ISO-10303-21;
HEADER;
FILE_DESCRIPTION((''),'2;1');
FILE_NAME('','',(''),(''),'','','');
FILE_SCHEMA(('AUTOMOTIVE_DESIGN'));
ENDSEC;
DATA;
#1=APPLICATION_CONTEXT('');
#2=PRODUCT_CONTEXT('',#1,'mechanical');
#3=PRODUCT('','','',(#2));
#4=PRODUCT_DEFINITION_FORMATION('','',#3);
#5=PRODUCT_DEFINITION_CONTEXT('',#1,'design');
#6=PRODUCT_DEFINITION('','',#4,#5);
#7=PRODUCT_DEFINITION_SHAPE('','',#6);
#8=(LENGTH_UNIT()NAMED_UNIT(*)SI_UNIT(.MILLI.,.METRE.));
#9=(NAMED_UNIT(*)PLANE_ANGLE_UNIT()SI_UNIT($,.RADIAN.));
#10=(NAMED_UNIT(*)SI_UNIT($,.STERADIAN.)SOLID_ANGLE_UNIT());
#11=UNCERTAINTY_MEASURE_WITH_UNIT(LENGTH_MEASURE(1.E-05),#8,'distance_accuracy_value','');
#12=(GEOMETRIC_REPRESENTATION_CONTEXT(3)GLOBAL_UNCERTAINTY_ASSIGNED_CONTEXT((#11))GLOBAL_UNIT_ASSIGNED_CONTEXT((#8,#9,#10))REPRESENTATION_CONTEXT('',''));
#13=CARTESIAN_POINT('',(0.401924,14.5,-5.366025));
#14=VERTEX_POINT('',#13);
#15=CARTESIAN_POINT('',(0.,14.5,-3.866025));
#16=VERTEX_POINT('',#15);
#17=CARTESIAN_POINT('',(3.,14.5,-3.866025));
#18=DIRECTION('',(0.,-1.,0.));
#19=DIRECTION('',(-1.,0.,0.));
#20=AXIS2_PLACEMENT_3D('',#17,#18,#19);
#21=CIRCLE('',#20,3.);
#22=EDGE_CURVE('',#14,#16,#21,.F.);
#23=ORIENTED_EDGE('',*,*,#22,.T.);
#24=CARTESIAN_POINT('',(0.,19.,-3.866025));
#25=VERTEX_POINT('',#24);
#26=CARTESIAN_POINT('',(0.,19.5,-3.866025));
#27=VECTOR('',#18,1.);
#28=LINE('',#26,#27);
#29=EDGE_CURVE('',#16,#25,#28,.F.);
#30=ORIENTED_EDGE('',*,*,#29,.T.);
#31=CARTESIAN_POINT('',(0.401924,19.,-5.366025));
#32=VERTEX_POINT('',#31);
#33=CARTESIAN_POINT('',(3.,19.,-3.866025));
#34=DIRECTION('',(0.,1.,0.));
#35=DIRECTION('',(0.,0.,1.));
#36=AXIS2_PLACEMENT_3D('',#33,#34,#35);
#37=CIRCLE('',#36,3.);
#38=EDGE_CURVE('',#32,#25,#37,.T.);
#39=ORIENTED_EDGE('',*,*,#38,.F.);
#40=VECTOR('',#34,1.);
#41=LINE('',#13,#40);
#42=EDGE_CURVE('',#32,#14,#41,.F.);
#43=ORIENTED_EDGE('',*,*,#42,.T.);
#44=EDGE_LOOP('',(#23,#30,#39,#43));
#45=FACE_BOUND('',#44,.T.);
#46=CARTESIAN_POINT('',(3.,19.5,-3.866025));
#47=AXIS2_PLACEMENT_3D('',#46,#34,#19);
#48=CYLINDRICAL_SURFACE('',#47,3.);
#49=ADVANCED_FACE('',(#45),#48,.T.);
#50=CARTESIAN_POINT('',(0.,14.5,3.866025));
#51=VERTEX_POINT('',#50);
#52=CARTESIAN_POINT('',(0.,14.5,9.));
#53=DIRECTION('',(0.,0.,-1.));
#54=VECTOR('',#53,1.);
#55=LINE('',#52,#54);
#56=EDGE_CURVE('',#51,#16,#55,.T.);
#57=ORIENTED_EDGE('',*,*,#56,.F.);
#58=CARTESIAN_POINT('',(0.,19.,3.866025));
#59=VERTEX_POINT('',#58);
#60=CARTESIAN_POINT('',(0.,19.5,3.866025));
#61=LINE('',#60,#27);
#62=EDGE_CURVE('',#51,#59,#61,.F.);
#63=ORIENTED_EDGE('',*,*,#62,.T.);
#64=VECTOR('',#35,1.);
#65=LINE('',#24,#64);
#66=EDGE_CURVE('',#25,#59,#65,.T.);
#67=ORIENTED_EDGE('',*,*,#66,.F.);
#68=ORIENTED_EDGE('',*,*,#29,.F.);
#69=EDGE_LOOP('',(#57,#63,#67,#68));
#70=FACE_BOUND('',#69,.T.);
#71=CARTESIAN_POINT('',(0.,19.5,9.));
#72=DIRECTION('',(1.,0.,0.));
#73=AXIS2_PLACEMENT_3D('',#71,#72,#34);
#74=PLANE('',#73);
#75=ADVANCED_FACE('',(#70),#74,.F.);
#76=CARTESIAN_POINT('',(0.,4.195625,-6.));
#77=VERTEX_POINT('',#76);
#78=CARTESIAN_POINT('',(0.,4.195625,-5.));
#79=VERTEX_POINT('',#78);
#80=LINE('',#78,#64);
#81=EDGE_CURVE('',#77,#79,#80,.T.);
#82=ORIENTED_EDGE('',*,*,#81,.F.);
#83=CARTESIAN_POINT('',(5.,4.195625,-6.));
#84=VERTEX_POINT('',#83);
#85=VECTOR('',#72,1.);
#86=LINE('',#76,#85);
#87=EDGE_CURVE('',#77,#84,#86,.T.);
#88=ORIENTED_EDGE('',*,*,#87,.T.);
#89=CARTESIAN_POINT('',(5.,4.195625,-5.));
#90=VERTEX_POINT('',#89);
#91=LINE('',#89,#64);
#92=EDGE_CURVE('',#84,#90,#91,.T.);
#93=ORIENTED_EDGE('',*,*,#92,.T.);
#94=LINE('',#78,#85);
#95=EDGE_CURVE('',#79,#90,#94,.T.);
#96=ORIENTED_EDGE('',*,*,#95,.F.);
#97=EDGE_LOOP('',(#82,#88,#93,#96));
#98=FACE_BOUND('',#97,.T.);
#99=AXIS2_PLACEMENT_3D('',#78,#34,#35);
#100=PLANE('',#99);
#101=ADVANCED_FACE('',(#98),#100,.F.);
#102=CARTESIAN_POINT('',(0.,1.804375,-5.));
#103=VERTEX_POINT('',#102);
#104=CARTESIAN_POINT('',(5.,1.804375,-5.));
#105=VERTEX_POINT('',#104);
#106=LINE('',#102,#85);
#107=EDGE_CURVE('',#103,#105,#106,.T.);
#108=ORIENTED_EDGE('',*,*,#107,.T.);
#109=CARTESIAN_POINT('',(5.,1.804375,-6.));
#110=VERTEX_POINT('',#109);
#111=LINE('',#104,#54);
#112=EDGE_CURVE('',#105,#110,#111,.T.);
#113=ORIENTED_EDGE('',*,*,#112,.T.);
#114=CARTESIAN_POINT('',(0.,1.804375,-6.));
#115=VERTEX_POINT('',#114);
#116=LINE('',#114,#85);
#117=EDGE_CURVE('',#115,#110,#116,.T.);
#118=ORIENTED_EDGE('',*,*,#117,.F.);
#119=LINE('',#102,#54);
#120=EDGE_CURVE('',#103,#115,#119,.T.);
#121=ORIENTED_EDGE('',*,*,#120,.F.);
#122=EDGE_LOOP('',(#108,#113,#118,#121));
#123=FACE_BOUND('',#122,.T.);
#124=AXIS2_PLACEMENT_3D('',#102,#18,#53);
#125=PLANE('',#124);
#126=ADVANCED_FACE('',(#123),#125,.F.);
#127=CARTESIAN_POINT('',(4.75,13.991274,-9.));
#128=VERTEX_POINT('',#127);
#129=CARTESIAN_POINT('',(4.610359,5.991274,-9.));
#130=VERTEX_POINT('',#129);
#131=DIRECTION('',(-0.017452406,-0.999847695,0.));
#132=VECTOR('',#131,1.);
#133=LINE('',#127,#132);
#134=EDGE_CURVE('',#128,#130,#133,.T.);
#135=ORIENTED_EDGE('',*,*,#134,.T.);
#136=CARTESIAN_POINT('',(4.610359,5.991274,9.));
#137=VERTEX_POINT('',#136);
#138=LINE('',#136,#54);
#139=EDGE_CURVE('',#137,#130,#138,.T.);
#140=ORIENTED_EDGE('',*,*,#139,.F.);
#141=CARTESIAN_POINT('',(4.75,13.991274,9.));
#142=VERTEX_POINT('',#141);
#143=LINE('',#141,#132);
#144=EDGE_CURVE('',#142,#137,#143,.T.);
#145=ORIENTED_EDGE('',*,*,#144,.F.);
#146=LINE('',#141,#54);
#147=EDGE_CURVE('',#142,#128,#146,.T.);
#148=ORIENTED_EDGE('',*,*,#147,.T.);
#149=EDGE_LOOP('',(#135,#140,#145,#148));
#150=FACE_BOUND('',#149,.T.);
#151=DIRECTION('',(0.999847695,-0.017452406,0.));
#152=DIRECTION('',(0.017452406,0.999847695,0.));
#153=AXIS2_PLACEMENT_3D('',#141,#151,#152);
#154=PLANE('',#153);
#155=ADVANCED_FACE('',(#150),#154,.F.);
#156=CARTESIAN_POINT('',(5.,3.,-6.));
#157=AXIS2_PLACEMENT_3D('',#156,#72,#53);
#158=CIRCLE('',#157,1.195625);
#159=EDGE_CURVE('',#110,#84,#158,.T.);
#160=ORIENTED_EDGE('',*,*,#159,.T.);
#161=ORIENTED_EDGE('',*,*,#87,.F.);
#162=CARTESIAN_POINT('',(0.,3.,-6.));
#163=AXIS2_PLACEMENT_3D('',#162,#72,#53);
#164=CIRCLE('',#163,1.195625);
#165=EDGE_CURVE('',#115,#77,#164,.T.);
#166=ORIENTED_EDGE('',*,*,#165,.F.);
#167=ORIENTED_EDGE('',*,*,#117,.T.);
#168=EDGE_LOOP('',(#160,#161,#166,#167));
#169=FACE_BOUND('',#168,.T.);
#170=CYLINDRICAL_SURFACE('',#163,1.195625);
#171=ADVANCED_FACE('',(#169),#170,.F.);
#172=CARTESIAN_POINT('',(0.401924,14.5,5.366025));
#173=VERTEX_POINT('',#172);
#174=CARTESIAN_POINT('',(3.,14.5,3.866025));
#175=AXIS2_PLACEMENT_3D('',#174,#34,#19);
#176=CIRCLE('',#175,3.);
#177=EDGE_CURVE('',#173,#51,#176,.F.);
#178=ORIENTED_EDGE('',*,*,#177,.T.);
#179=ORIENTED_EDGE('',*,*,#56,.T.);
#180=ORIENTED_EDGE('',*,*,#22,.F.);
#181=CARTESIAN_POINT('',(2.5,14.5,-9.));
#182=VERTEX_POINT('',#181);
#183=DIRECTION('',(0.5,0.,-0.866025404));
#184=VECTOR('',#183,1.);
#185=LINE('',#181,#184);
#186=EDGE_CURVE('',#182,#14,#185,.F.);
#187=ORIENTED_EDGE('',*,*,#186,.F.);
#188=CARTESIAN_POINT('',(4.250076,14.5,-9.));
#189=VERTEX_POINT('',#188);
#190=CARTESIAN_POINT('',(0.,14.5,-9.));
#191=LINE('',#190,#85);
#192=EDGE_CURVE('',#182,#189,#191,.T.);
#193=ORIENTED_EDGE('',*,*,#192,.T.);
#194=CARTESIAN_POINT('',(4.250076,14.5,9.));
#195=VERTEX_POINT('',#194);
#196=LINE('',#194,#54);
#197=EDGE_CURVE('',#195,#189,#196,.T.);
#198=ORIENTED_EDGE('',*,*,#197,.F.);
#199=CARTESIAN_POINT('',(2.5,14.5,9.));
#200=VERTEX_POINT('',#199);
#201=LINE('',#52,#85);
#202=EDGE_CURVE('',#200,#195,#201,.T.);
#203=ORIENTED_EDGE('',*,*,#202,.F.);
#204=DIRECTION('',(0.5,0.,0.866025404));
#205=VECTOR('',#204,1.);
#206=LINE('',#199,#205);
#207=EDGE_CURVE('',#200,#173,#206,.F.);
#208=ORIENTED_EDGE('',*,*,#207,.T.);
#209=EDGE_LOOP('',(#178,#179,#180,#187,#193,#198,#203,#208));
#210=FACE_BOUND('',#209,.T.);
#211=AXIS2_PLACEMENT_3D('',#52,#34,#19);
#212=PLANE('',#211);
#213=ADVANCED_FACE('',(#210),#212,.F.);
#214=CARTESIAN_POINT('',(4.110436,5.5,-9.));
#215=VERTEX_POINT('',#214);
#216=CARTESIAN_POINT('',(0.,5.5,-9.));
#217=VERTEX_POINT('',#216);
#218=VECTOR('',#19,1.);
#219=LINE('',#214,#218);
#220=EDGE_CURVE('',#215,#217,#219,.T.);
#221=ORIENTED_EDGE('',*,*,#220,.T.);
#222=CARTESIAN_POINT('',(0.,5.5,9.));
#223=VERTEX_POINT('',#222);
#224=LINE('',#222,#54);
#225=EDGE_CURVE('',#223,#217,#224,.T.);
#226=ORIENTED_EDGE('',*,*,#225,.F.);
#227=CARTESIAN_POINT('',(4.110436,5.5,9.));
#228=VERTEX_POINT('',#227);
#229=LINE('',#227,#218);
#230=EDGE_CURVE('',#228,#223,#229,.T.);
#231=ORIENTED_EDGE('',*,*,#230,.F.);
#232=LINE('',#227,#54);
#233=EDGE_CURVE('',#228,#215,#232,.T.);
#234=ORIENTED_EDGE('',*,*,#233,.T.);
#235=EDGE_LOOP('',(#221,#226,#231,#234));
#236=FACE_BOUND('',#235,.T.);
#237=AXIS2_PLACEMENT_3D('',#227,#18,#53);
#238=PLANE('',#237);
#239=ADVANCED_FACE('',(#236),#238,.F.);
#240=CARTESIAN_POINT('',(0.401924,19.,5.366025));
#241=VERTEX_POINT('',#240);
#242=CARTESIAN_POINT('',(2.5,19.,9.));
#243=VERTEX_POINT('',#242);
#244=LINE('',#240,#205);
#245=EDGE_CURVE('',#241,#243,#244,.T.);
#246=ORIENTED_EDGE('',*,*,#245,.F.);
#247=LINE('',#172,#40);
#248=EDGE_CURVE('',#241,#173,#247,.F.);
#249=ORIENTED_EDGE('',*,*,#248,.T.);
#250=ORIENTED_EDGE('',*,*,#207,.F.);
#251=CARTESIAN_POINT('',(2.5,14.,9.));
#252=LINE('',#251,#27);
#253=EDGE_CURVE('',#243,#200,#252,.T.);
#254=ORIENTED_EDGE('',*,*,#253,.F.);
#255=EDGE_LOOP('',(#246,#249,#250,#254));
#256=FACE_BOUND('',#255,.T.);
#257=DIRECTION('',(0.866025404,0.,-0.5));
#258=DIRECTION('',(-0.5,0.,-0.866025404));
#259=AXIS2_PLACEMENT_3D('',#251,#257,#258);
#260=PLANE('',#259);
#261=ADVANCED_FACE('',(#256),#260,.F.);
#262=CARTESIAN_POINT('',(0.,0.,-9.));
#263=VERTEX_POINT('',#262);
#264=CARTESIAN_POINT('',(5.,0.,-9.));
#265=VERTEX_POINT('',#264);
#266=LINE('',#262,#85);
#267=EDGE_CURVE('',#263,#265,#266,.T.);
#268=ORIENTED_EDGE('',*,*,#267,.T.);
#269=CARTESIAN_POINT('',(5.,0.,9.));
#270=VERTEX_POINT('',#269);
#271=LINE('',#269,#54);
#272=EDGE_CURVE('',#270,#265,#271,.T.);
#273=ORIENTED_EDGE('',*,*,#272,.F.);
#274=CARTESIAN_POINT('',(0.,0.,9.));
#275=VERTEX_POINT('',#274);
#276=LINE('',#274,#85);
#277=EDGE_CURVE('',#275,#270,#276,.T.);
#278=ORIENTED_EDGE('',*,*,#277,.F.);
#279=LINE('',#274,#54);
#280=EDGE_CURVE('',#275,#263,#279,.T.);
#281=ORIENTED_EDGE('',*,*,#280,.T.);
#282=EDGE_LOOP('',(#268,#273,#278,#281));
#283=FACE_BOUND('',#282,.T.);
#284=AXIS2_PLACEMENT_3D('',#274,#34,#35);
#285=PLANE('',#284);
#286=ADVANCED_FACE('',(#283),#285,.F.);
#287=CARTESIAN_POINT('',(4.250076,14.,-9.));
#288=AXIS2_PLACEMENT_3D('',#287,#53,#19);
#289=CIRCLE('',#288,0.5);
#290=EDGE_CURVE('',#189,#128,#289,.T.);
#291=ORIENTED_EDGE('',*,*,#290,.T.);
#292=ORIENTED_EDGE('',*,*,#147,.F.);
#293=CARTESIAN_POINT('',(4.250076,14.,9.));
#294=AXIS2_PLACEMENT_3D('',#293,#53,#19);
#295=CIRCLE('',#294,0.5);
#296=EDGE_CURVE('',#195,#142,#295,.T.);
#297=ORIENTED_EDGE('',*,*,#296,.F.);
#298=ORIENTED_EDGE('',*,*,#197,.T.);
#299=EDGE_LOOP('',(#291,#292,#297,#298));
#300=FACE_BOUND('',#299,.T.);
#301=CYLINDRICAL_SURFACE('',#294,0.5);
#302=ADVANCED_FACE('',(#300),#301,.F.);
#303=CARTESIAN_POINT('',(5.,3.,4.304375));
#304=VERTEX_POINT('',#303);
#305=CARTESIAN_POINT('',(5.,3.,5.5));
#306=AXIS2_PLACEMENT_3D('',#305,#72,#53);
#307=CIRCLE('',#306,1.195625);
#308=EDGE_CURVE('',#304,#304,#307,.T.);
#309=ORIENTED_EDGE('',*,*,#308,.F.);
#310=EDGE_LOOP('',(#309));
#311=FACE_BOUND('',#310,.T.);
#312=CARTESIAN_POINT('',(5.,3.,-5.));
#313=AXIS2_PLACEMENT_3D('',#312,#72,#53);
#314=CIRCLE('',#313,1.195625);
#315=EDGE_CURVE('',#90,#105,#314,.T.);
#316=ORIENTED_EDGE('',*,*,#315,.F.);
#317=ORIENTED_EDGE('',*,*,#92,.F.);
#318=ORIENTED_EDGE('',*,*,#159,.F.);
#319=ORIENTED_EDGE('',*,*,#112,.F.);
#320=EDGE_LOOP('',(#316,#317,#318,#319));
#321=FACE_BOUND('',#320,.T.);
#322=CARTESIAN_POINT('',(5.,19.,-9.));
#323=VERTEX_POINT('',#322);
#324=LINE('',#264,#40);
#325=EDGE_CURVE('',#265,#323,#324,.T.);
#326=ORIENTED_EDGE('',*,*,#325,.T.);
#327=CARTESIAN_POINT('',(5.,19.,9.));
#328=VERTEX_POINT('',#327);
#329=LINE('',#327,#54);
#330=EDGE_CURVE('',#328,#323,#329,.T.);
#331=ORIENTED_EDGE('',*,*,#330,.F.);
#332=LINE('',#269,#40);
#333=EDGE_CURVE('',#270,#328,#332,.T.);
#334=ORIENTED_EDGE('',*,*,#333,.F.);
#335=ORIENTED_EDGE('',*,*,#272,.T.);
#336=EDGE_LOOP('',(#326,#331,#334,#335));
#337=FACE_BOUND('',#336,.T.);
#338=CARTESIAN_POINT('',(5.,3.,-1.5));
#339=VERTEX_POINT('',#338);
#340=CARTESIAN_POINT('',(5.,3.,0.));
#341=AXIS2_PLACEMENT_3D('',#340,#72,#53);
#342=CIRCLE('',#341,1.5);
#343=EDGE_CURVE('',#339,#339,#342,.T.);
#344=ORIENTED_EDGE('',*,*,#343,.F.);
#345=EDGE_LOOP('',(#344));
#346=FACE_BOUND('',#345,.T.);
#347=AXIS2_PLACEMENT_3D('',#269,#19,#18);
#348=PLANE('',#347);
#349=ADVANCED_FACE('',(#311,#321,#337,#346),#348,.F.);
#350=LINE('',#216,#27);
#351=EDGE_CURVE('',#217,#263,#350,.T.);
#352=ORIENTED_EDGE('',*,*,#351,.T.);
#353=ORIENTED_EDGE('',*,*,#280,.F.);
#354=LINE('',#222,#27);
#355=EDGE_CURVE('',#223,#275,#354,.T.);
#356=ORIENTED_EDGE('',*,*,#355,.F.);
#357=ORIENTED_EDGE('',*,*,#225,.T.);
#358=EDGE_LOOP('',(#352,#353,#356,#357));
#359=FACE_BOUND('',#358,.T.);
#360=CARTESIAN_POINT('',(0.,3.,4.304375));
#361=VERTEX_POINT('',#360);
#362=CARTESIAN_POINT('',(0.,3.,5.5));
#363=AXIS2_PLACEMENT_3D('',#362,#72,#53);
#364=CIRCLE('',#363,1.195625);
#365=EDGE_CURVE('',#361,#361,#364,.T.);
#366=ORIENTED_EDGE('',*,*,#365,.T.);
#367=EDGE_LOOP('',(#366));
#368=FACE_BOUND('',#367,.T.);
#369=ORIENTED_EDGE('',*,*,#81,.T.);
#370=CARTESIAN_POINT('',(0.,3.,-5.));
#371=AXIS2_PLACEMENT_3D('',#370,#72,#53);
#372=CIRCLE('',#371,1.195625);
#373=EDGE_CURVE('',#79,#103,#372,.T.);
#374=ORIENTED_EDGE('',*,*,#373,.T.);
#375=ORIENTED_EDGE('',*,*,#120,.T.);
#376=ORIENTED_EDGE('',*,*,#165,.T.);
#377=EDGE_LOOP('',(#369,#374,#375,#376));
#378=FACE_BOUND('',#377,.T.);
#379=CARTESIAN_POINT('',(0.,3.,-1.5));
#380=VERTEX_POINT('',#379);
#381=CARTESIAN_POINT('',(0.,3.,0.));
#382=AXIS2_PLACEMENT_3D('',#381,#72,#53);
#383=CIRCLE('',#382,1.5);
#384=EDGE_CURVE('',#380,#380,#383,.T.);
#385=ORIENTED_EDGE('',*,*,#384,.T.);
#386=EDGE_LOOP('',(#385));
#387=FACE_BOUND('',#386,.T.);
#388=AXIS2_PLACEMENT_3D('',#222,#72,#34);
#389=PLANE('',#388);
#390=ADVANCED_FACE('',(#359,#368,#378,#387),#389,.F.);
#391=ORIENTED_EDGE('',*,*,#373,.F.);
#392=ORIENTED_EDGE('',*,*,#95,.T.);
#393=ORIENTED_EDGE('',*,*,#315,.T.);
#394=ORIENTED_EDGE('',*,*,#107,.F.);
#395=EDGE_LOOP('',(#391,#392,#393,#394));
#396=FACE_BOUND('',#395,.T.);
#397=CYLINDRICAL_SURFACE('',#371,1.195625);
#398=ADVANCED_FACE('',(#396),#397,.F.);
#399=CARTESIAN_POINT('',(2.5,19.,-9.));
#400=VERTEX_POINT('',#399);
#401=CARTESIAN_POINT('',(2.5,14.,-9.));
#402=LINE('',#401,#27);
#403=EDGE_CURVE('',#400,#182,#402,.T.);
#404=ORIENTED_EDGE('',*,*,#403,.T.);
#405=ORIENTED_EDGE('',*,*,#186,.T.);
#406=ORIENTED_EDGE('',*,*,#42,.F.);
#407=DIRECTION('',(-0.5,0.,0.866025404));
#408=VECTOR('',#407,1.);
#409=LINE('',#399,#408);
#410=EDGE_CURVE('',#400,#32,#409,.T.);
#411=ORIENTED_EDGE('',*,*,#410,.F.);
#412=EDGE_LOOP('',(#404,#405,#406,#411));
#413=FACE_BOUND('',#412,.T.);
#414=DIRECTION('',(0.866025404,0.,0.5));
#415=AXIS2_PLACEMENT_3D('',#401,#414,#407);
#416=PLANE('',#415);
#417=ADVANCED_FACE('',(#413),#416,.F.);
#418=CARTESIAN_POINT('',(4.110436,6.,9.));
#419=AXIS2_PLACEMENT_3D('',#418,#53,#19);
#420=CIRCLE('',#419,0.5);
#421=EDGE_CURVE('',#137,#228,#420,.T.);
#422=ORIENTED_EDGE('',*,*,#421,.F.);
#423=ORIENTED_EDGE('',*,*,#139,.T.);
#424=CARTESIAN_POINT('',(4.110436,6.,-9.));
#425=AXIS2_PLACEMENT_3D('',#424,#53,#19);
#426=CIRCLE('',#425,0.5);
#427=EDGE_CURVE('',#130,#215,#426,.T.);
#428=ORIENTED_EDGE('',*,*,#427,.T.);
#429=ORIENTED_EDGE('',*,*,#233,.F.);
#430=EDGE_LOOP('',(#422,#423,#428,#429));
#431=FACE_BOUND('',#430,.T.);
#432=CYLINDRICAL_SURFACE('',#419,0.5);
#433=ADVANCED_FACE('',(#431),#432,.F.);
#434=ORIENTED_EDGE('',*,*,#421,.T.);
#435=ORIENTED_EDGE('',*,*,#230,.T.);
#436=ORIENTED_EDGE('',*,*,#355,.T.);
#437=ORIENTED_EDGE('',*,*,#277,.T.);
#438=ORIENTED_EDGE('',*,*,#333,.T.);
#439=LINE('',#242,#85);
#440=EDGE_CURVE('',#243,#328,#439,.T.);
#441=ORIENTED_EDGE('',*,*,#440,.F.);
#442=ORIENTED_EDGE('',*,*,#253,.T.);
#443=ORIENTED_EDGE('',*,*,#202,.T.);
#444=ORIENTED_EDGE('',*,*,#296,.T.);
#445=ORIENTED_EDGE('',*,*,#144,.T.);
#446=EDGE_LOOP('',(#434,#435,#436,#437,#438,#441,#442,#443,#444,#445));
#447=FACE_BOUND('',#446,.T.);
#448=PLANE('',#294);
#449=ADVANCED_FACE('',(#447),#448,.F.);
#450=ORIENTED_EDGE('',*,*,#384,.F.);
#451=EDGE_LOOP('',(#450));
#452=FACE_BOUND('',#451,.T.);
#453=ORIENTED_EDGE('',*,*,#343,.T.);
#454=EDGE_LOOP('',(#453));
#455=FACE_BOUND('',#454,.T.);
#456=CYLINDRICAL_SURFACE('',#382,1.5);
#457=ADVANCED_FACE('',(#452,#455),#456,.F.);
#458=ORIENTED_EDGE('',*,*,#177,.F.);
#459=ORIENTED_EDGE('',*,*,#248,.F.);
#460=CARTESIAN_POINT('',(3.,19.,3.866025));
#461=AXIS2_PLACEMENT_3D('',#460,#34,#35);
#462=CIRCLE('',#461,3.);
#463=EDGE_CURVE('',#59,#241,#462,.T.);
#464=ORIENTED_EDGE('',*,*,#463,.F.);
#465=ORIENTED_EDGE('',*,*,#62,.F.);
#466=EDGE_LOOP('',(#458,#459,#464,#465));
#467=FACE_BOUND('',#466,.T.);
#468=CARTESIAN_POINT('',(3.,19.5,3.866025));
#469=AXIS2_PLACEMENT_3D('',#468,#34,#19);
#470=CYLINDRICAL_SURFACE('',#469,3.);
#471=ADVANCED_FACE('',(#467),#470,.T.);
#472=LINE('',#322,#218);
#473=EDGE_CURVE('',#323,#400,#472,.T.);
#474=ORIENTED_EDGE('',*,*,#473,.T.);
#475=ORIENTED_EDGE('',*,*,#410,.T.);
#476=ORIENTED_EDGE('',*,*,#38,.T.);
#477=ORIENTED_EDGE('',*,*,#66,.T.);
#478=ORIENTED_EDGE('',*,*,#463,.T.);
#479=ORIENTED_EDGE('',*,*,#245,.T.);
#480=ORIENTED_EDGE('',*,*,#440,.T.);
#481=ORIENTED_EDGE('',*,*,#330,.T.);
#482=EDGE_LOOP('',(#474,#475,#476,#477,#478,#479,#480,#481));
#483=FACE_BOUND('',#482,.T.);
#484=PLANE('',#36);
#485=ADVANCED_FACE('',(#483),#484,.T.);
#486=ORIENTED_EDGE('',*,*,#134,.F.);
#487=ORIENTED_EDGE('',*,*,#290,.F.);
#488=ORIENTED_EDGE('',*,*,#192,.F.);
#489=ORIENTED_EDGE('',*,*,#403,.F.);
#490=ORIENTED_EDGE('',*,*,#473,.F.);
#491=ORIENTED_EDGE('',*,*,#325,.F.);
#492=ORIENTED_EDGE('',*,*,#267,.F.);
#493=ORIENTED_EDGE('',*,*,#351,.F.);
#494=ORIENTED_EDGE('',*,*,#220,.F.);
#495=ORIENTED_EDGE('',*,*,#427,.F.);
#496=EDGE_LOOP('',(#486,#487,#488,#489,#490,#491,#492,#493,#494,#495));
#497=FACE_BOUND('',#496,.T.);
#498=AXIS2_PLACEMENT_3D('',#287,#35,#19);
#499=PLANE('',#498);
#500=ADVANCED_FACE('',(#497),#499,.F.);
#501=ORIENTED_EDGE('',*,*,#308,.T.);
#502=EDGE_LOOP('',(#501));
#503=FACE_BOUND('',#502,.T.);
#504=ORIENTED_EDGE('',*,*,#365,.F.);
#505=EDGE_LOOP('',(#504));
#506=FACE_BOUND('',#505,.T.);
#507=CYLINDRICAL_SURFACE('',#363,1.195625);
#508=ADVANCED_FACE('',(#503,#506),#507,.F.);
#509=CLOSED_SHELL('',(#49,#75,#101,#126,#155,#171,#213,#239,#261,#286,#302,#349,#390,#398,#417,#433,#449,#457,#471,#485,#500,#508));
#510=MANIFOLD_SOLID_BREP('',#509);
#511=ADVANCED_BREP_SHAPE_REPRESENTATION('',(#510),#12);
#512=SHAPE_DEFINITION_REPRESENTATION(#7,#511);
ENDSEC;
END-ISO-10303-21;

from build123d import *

# Parameters (mm, degrees)
BOSS_EXTRUDE1_DEPTH = 9
CHAMFER1_SIZE       = 2.5
CHAMFER1_SIZE2      = 4.330127019
FILLET1_R           = 3
SKETCH11_R          = 1.195625
SKETCH11_R_2        = 1.5
CUT_EXTRUDE1_DEPTH  = 6
CUT_EXTRUDE2_DEPTH  = 0.5


with BuildPart() as part:
    # Sketch4 → Boss-Extrude1 (new body)
    with BuildSketch(Plane.XY):
        with BuildLine():
            Line((0, 19.5), (0, 14.5))
            Line((0, 14.5), (4.250076152, 14.5))
            ThreePointArc((4.250076152, 14.5), (4.606701377, 14.350454632), (4.75, 13.991273797))
            Line((4.75, 13.991273797), (4.610359481, 5.991273797))
            ThreePointArc((4.610359481, 5.991273797), (4.460890265, 5.643374775), (4.110435633, 5.5))
            Line((4.110435633, 5.5), (0, 5.5))
            Line((0, 5.5), (0, 0))
            Line((0, 0), (5, 0))
            Line((5, 0), (5, 19.5))
            Line((5, 19.5), (0, 19.5))
        make_face()
    extrude(amount=BOSS_EXTRUDE1_DEPTH)

    # Chamfer1
    chamfer1_edges = [part.edges().sort_by_distance(p)[0] for p in [
        (0, 17, 9),
    ]]
    chamfer1_side = [part.faces().sort_by_distance(p)[0] for p in [
        (0.201308221, 17, 9),
    ]]
    chamfer(chamfer1_edges, length=CHAMFER1_SIZE, length2=CHAMFER1_SIZE2, reference=chamfer1_side[0])

    # Fillet1
    fillet1_edges = [part.edges().sort_by_distance(p)[0] for p in [
        (0, 17, 4.669872981),
    ]]
    fillet(fillet1_edges, radius=FILLET1_R)

    # Mirror1: part across plane


with BuildPart() as part_1:
    add(part.part)
    add(part.part.mirror(Plane(origin=(4.250076152, 14, 0), x_dir=(1, 0, 0), z_dir=(0, 0, -1))))

    # Sketch11 → Cut-Extrude1 (cut, through all)
    with BuildSketch(Plane(origin=(5, 0, 0), x_dir=(0, 0, -1), z_dir=(1, 0, 0))):
        with Locations((-5.5, 3)):
            Circle(SKETCH11_R)
        with Locations((0, 3)):
            Circle(SKETCH11_R_2)
        with BuildLine():
            Line((5, 4.195625), (6, 4.195625))
            ThreePointArc((6, 4.195625), (7.195625, 3), (6, 1.804375))
            Line((6, 1.804375), (5, 1.804375))
            ThreePointArc((5, 1.804375), (3.804375, 3), (5, 4.195625))
        make_face()
    extrude(amount=-CUT_EXTRUDE1_DEPTH, mode=Mode.SUBTRACT)

    # Sketch12 → Cut-Extrude2 (cut)
    with BuildSketch(Plane(origin=(0, 19.5, 0), x_dir=(1, 0, 0), z_dir=(0, 1, 0))):
        with BuildLine():
            Line((0, 3.866025404), (0, -3.866025404))
            ThreePointArc((0, -3.866025404), (0.102222521, -4.642482539), (0.401923789, -5.366025404))
            Line((0.401923789, -5.366025404), (2.5, -9))
            Line((2.5, -9), (5, -9))
            Line((5, -9), (5, 9))
            Line((5, 9), (2.5, 9))
            Line((2.5, 9), (0.401923789, 5.366025404))
            ThreePointArc((0.401923789, 5.366025404), (0.102222521, 4.642482539), (0, 3.866025404))
        make_face()
    extrude(amount=-CUT_EXTRUDE2_DEPTH, mode=Mode.SUBTRACT)


solid = part_1.part
